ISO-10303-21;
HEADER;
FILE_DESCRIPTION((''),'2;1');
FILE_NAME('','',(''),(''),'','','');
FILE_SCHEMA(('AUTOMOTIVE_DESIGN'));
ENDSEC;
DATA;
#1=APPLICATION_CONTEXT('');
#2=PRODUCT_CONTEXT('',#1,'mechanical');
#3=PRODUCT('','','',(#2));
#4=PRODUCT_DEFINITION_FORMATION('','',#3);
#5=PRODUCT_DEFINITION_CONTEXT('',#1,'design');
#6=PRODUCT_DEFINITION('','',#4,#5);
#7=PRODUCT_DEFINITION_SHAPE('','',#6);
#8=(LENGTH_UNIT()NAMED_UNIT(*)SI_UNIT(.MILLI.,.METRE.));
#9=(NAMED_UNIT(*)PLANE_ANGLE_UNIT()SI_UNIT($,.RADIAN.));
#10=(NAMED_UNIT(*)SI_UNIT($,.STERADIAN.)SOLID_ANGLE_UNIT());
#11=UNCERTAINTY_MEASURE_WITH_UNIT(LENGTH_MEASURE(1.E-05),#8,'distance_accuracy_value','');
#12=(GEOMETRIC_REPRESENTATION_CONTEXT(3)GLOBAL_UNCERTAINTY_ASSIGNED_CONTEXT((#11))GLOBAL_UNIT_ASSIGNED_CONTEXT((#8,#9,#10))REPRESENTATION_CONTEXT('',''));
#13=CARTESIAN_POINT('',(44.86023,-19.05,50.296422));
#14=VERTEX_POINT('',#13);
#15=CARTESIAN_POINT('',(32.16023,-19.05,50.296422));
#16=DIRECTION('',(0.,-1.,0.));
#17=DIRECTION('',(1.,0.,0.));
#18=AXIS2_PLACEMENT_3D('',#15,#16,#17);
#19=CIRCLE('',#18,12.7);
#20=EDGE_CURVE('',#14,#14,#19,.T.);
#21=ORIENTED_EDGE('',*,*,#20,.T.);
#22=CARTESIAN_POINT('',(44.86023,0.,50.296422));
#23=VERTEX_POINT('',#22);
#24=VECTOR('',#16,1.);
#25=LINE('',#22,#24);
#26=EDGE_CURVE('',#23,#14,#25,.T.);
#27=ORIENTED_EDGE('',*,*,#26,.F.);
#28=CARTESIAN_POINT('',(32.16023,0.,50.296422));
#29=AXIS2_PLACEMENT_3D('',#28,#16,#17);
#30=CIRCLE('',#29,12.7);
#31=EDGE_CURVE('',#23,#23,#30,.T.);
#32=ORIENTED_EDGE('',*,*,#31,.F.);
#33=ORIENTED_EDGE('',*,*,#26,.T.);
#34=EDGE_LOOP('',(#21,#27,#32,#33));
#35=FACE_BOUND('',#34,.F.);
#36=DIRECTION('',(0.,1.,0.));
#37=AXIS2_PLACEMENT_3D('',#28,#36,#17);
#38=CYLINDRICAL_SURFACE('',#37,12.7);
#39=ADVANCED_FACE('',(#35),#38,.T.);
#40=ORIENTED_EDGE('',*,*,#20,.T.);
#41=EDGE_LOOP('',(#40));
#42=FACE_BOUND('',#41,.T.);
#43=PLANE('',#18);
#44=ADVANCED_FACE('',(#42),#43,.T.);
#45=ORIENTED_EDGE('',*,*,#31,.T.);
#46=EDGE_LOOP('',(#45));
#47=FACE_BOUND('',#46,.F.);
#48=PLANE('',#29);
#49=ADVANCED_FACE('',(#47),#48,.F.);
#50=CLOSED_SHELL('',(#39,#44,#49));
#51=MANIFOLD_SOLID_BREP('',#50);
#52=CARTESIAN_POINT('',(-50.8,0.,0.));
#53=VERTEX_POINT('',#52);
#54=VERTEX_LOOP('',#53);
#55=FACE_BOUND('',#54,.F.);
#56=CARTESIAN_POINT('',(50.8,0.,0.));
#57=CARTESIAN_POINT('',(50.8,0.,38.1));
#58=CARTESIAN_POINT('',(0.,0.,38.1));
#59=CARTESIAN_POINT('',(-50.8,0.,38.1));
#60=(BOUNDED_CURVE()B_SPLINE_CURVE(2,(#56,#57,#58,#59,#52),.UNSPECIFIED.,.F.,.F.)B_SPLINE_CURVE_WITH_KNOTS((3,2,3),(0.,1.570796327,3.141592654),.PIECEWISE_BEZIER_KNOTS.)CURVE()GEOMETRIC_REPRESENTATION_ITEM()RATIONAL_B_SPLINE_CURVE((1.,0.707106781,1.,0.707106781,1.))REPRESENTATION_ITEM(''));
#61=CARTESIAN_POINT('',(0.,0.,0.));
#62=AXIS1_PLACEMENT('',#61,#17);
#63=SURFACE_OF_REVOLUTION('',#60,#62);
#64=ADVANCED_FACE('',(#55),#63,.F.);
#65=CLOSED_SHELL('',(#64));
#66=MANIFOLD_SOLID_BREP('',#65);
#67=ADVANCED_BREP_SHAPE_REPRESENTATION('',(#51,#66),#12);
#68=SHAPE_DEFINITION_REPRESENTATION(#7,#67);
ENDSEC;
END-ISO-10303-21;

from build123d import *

# Parameters (mm, degrees)
F2_R     = 12.7
F3_DEPTH = 19.05


with BuildPart() as f1:
    # F0 (on Front) → F1 (revolve)
    with BuildSketch(Plane.XZ):
        with BuildLine():
            Line((-50.8, 0), (50.8, 0))
            add(Edge.make_bspline(
                [(50.8, 0), (50.8, 38.1), (0, 38.1), (-50.8, 38.1), (-50.8, 0)],
                knots=[0, 0, 0, 1.5707963268, 1.5707963268, 3.1415926536, 3.1415926536, 3.1415926536], degree=2, weights=[1, 0.7071067812, 1, 0.7071067812, 1]))
        make_face()
    revolve(axis=Axis((0, 0, 0), (1, 0, 0)))


with BuildPart() as f3:
    # F2 (on Front) → F3 (new body)
    with BuildSketch(Plane.XZ):
        with Locations((32.1602299809, 50.2964220941)):
            Circle(F2_R)
    extrude(amount=F3_DEPTH)


with BuildPart() as f4_1:
    # F4: copy of F3
    add(f3.part.moved(Location((48.514, 0, 0))))


solid = Compound([f1.part, f3.part])
